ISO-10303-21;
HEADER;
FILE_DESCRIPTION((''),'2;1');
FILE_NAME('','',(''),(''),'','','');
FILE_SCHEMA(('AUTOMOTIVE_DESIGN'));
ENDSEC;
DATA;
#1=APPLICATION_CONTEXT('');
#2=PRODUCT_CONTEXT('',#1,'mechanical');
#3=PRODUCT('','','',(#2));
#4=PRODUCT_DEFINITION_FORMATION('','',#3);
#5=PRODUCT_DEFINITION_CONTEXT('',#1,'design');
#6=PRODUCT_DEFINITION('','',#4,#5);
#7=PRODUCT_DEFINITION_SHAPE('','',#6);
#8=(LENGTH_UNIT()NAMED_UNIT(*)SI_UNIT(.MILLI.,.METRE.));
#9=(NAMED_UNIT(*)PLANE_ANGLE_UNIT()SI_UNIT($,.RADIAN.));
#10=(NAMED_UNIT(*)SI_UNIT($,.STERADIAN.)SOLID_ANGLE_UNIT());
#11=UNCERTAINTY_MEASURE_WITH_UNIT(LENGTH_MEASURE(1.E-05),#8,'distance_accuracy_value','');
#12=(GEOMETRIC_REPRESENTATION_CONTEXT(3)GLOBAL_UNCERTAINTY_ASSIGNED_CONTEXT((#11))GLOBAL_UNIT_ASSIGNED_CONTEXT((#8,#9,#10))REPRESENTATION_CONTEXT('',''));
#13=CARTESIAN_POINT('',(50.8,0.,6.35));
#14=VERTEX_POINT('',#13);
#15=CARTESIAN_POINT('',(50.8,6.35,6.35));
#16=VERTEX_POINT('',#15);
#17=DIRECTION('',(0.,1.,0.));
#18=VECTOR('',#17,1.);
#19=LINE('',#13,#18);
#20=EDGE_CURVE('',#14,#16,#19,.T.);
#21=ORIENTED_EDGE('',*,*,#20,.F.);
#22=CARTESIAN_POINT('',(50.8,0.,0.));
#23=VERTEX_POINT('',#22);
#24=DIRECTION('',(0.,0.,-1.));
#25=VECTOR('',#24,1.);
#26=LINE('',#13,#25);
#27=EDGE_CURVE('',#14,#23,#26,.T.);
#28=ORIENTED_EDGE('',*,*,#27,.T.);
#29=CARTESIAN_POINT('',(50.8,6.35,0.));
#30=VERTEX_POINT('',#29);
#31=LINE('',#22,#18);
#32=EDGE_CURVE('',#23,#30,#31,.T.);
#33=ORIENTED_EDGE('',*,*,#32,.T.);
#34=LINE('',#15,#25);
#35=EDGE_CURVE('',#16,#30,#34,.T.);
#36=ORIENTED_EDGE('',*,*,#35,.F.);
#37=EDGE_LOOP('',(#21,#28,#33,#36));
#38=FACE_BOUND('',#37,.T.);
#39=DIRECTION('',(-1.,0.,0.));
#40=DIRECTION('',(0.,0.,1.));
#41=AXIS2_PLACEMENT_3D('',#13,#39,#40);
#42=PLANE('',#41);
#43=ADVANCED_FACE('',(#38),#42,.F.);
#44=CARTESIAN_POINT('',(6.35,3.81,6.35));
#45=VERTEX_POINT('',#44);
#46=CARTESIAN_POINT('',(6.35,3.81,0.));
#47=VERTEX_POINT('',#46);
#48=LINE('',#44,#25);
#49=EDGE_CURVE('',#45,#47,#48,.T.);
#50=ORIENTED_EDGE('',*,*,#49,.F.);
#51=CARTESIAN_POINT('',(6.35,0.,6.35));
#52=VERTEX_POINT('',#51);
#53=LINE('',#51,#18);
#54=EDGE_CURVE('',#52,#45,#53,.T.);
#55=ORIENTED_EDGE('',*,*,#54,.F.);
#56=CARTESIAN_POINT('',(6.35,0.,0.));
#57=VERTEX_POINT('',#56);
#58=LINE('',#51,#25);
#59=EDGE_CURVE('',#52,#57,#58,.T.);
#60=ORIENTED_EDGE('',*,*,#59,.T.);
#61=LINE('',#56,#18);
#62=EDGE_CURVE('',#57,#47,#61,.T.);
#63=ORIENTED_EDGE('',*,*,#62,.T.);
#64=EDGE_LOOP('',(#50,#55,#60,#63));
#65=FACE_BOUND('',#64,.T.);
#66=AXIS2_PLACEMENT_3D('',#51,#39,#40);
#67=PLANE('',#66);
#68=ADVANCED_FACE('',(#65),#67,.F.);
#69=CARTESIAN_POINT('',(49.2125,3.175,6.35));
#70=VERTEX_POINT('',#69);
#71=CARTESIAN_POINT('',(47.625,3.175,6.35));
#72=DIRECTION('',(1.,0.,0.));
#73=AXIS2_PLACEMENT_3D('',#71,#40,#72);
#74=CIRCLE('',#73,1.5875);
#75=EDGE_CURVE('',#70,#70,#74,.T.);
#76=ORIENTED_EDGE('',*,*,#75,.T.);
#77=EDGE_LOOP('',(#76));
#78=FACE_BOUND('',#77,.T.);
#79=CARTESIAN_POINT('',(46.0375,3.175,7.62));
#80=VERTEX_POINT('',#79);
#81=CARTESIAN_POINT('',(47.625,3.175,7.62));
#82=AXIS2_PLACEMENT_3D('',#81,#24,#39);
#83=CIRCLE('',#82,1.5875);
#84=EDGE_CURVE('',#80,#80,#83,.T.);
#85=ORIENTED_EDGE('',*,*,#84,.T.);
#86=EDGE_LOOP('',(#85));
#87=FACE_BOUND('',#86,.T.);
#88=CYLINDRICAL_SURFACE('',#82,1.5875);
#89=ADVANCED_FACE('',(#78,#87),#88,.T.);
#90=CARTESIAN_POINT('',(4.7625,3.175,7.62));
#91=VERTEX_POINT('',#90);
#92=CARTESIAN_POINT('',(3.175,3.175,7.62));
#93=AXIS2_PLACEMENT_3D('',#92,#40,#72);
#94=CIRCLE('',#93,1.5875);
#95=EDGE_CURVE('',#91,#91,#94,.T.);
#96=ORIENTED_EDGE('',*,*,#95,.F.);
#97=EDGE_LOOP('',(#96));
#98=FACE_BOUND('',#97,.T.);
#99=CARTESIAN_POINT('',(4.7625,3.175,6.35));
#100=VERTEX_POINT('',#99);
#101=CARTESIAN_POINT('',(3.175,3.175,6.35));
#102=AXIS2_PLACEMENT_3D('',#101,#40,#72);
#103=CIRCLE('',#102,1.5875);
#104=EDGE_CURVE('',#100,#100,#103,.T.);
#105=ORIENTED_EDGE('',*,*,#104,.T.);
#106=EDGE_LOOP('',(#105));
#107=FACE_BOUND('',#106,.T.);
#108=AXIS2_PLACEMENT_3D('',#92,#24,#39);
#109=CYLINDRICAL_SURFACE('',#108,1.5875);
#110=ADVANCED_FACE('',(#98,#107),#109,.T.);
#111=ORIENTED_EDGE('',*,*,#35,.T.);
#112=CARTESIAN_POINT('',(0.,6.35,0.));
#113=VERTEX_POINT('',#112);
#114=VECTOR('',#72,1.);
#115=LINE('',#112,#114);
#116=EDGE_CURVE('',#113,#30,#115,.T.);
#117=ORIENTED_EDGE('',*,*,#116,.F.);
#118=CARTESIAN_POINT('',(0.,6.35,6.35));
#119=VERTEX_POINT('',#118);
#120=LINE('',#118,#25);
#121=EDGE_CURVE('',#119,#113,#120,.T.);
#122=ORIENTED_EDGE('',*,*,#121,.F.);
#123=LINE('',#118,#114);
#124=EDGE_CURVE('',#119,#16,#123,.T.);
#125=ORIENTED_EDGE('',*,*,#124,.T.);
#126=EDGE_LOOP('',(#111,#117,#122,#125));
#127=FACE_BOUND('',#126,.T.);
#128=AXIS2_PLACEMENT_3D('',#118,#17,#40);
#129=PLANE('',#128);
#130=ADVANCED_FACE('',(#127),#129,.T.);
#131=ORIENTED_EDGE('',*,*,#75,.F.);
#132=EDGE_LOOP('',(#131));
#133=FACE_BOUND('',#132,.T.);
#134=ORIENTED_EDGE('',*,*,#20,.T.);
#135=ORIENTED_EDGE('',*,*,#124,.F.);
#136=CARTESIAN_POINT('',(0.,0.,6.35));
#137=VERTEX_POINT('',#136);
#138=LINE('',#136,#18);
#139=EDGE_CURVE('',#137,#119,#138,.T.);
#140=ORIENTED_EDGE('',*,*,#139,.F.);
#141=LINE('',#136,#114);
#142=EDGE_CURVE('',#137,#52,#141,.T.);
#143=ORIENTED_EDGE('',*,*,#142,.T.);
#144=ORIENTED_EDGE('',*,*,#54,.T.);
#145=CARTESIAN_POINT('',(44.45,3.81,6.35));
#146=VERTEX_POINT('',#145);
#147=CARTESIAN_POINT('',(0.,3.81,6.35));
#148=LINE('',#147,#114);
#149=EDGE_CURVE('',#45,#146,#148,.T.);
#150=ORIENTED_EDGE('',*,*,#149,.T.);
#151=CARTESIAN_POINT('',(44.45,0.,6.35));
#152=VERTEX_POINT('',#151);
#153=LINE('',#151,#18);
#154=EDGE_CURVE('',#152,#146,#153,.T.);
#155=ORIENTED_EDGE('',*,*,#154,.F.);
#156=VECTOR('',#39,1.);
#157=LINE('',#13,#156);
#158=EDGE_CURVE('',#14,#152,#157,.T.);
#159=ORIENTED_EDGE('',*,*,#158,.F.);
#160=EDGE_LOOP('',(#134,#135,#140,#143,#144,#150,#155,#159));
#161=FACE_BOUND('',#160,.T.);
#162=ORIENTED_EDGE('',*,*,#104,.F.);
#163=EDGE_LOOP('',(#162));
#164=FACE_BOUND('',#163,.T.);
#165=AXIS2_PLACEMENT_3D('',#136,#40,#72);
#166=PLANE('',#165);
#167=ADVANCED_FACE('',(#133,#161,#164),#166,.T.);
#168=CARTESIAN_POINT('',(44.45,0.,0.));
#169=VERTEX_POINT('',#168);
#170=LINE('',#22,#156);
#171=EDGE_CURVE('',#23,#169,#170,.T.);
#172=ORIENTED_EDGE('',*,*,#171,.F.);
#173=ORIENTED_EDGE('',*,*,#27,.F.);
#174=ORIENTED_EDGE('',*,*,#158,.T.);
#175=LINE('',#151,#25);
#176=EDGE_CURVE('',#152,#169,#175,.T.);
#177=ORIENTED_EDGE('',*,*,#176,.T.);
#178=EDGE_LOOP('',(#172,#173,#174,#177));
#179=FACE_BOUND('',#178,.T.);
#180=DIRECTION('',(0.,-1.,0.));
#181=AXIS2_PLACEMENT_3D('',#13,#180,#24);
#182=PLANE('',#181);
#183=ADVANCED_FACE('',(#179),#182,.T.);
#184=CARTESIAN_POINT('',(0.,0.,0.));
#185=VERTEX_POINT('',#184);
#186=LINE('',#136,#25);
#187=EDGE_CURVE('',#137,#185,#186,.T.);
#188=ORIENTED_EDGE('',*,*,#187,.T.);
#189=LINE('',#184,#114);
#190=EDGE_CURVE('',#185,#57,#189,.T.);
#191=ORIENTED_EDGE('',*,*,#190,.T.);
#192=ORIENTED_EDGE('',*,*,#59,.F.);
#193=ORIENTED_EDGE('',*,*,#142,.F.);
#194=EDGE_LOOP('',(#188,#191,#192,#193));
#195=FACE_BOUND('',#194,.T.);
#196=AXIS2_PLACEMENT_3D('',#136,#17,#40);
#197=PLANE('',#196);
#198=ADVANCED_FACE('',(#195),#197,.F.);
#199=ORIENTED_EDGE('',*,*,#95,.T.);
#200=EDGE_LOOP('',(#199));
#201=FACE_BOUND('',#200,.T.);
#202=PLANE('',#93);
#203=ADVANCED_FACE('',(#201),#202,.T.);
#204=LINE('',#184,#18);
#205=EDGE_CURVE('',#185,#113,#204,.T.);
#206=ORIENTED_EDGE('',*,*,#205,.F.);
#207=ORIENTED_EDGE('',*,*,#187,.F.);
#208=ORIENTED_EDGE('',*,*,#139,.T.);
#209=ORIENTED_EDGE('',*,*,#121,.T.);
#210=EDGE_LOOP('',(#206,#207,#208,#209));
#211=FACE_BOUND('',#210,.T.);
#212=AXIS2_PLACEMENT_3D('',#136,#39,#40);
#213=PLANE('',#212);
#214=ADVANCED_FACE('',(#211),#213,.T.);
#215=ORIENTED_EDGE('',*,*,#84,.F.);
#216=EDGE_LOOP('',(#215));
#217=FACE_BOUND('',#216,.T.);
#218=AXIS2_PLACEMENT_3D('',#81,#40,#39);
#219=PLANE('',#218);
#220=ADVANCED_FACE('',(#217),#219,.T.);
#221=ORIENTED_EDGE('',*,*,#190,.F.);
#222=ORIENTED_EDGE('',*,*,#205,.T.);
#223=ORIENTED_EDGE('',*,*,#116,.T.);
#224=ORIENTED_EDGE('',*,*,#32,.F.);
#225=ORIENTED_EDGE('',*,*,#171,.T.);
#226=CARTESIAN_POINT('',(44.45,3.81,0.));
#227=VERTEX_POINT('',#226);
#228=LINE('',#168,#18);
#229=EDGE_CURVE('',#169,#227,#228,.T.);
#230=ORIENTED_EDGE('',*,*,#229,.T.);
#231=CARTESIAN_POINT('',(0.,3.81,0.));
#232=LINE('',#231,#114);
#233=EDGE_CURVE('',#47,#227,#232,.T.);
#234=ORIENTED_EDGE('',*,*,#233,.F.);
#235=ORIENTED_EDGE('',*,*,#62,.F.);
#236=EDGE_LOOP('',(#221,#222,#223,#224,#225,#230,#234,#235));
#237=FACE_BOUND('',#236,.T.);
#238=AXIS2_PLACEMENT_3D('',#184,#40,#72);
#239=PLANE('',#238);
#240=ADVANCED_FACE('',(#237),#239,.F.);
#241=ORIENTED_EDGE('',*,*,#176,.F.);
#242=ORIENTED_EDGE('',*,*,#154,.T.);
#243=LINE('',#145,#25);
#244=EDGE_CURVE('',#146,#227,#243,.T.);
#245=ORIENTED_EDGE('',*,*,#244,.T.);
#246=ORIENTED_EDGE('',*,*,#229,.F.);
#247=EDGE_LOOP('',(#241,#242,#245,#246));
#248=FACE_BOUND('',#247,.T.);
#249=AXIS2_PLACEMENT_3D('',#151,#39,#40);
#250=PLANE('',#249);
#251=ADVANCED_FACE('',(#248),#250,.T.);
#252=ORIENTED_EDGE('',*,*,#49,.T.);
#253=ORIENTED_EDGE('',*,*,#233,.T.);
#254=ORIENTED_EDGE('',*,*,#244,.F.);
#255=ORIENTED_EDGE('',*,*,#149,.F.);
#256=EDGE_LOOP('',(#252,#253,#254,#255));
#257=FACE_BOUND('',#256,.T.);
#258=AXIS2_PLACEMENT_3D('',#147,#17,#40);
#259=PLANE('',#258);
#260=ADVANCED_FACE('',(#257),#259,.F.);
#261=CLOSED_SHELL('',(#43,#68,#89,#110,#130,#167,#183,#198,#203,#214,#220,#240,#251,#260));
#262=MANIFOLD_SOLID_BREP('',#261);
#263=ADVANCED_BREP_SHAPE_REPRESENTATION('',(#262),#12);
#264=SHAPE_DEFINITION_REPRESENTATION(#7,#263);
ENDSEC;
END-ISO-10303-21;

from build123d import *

# Parameters (mm, degrees)
SKETCH1_W           = 6.35
SKETCH1_H           = 6.35
SKETCH1_W_2         = 19.05
SKETCH1_H_2         = 2.54
BOSS_EXTRUDE1_DEPTH = 6.35
SKETCH2_R           = 1.5875
BOSS_EXTRUDE2_DEPTH = 1.27


with BuildPart() as part:
    # Sketch1 → Boss-Extrude1 (new body)
    with BuildSketch(Plane.XY):
        with Locations((3.175, 3.175)):
            Rectangle(SKETCH1_W, SKETCH1_H)
        with Locations((15.875, 5.08)):
            Rectangle(SKETCH1_W_2, SKETCH1_H_2)
    boss_extrude1 = extrude(amount=BOSS_EXTRUDE1_DEPTH)

    # Sketch2 → Boss-Extrude2 (add)
    with BuildSketch(Plane.XY.offset(6.35)):
        with Locations((3.175, 3.175)):
            Circle(SKETCH2_R)
    boss_extrude2 = extrude(amount=BOSS_EXTRUDE2_DEPTH)

    # Mirror1: Boss-Extrude1, Boss-Extrude2 across plane
    add(boss_extrude1.mirror(Plane(origin=(25.4, 0, 6.35), x_dir=(0, 0, 1), z_dir=(1, 0, 0))))
    add(boss_extrude2.mirror(Plane(origin=(25.4, 0, 6.35), x_dir=(0, 0, 1), z_dir=(1, 0, 0))))


solid = part.part
